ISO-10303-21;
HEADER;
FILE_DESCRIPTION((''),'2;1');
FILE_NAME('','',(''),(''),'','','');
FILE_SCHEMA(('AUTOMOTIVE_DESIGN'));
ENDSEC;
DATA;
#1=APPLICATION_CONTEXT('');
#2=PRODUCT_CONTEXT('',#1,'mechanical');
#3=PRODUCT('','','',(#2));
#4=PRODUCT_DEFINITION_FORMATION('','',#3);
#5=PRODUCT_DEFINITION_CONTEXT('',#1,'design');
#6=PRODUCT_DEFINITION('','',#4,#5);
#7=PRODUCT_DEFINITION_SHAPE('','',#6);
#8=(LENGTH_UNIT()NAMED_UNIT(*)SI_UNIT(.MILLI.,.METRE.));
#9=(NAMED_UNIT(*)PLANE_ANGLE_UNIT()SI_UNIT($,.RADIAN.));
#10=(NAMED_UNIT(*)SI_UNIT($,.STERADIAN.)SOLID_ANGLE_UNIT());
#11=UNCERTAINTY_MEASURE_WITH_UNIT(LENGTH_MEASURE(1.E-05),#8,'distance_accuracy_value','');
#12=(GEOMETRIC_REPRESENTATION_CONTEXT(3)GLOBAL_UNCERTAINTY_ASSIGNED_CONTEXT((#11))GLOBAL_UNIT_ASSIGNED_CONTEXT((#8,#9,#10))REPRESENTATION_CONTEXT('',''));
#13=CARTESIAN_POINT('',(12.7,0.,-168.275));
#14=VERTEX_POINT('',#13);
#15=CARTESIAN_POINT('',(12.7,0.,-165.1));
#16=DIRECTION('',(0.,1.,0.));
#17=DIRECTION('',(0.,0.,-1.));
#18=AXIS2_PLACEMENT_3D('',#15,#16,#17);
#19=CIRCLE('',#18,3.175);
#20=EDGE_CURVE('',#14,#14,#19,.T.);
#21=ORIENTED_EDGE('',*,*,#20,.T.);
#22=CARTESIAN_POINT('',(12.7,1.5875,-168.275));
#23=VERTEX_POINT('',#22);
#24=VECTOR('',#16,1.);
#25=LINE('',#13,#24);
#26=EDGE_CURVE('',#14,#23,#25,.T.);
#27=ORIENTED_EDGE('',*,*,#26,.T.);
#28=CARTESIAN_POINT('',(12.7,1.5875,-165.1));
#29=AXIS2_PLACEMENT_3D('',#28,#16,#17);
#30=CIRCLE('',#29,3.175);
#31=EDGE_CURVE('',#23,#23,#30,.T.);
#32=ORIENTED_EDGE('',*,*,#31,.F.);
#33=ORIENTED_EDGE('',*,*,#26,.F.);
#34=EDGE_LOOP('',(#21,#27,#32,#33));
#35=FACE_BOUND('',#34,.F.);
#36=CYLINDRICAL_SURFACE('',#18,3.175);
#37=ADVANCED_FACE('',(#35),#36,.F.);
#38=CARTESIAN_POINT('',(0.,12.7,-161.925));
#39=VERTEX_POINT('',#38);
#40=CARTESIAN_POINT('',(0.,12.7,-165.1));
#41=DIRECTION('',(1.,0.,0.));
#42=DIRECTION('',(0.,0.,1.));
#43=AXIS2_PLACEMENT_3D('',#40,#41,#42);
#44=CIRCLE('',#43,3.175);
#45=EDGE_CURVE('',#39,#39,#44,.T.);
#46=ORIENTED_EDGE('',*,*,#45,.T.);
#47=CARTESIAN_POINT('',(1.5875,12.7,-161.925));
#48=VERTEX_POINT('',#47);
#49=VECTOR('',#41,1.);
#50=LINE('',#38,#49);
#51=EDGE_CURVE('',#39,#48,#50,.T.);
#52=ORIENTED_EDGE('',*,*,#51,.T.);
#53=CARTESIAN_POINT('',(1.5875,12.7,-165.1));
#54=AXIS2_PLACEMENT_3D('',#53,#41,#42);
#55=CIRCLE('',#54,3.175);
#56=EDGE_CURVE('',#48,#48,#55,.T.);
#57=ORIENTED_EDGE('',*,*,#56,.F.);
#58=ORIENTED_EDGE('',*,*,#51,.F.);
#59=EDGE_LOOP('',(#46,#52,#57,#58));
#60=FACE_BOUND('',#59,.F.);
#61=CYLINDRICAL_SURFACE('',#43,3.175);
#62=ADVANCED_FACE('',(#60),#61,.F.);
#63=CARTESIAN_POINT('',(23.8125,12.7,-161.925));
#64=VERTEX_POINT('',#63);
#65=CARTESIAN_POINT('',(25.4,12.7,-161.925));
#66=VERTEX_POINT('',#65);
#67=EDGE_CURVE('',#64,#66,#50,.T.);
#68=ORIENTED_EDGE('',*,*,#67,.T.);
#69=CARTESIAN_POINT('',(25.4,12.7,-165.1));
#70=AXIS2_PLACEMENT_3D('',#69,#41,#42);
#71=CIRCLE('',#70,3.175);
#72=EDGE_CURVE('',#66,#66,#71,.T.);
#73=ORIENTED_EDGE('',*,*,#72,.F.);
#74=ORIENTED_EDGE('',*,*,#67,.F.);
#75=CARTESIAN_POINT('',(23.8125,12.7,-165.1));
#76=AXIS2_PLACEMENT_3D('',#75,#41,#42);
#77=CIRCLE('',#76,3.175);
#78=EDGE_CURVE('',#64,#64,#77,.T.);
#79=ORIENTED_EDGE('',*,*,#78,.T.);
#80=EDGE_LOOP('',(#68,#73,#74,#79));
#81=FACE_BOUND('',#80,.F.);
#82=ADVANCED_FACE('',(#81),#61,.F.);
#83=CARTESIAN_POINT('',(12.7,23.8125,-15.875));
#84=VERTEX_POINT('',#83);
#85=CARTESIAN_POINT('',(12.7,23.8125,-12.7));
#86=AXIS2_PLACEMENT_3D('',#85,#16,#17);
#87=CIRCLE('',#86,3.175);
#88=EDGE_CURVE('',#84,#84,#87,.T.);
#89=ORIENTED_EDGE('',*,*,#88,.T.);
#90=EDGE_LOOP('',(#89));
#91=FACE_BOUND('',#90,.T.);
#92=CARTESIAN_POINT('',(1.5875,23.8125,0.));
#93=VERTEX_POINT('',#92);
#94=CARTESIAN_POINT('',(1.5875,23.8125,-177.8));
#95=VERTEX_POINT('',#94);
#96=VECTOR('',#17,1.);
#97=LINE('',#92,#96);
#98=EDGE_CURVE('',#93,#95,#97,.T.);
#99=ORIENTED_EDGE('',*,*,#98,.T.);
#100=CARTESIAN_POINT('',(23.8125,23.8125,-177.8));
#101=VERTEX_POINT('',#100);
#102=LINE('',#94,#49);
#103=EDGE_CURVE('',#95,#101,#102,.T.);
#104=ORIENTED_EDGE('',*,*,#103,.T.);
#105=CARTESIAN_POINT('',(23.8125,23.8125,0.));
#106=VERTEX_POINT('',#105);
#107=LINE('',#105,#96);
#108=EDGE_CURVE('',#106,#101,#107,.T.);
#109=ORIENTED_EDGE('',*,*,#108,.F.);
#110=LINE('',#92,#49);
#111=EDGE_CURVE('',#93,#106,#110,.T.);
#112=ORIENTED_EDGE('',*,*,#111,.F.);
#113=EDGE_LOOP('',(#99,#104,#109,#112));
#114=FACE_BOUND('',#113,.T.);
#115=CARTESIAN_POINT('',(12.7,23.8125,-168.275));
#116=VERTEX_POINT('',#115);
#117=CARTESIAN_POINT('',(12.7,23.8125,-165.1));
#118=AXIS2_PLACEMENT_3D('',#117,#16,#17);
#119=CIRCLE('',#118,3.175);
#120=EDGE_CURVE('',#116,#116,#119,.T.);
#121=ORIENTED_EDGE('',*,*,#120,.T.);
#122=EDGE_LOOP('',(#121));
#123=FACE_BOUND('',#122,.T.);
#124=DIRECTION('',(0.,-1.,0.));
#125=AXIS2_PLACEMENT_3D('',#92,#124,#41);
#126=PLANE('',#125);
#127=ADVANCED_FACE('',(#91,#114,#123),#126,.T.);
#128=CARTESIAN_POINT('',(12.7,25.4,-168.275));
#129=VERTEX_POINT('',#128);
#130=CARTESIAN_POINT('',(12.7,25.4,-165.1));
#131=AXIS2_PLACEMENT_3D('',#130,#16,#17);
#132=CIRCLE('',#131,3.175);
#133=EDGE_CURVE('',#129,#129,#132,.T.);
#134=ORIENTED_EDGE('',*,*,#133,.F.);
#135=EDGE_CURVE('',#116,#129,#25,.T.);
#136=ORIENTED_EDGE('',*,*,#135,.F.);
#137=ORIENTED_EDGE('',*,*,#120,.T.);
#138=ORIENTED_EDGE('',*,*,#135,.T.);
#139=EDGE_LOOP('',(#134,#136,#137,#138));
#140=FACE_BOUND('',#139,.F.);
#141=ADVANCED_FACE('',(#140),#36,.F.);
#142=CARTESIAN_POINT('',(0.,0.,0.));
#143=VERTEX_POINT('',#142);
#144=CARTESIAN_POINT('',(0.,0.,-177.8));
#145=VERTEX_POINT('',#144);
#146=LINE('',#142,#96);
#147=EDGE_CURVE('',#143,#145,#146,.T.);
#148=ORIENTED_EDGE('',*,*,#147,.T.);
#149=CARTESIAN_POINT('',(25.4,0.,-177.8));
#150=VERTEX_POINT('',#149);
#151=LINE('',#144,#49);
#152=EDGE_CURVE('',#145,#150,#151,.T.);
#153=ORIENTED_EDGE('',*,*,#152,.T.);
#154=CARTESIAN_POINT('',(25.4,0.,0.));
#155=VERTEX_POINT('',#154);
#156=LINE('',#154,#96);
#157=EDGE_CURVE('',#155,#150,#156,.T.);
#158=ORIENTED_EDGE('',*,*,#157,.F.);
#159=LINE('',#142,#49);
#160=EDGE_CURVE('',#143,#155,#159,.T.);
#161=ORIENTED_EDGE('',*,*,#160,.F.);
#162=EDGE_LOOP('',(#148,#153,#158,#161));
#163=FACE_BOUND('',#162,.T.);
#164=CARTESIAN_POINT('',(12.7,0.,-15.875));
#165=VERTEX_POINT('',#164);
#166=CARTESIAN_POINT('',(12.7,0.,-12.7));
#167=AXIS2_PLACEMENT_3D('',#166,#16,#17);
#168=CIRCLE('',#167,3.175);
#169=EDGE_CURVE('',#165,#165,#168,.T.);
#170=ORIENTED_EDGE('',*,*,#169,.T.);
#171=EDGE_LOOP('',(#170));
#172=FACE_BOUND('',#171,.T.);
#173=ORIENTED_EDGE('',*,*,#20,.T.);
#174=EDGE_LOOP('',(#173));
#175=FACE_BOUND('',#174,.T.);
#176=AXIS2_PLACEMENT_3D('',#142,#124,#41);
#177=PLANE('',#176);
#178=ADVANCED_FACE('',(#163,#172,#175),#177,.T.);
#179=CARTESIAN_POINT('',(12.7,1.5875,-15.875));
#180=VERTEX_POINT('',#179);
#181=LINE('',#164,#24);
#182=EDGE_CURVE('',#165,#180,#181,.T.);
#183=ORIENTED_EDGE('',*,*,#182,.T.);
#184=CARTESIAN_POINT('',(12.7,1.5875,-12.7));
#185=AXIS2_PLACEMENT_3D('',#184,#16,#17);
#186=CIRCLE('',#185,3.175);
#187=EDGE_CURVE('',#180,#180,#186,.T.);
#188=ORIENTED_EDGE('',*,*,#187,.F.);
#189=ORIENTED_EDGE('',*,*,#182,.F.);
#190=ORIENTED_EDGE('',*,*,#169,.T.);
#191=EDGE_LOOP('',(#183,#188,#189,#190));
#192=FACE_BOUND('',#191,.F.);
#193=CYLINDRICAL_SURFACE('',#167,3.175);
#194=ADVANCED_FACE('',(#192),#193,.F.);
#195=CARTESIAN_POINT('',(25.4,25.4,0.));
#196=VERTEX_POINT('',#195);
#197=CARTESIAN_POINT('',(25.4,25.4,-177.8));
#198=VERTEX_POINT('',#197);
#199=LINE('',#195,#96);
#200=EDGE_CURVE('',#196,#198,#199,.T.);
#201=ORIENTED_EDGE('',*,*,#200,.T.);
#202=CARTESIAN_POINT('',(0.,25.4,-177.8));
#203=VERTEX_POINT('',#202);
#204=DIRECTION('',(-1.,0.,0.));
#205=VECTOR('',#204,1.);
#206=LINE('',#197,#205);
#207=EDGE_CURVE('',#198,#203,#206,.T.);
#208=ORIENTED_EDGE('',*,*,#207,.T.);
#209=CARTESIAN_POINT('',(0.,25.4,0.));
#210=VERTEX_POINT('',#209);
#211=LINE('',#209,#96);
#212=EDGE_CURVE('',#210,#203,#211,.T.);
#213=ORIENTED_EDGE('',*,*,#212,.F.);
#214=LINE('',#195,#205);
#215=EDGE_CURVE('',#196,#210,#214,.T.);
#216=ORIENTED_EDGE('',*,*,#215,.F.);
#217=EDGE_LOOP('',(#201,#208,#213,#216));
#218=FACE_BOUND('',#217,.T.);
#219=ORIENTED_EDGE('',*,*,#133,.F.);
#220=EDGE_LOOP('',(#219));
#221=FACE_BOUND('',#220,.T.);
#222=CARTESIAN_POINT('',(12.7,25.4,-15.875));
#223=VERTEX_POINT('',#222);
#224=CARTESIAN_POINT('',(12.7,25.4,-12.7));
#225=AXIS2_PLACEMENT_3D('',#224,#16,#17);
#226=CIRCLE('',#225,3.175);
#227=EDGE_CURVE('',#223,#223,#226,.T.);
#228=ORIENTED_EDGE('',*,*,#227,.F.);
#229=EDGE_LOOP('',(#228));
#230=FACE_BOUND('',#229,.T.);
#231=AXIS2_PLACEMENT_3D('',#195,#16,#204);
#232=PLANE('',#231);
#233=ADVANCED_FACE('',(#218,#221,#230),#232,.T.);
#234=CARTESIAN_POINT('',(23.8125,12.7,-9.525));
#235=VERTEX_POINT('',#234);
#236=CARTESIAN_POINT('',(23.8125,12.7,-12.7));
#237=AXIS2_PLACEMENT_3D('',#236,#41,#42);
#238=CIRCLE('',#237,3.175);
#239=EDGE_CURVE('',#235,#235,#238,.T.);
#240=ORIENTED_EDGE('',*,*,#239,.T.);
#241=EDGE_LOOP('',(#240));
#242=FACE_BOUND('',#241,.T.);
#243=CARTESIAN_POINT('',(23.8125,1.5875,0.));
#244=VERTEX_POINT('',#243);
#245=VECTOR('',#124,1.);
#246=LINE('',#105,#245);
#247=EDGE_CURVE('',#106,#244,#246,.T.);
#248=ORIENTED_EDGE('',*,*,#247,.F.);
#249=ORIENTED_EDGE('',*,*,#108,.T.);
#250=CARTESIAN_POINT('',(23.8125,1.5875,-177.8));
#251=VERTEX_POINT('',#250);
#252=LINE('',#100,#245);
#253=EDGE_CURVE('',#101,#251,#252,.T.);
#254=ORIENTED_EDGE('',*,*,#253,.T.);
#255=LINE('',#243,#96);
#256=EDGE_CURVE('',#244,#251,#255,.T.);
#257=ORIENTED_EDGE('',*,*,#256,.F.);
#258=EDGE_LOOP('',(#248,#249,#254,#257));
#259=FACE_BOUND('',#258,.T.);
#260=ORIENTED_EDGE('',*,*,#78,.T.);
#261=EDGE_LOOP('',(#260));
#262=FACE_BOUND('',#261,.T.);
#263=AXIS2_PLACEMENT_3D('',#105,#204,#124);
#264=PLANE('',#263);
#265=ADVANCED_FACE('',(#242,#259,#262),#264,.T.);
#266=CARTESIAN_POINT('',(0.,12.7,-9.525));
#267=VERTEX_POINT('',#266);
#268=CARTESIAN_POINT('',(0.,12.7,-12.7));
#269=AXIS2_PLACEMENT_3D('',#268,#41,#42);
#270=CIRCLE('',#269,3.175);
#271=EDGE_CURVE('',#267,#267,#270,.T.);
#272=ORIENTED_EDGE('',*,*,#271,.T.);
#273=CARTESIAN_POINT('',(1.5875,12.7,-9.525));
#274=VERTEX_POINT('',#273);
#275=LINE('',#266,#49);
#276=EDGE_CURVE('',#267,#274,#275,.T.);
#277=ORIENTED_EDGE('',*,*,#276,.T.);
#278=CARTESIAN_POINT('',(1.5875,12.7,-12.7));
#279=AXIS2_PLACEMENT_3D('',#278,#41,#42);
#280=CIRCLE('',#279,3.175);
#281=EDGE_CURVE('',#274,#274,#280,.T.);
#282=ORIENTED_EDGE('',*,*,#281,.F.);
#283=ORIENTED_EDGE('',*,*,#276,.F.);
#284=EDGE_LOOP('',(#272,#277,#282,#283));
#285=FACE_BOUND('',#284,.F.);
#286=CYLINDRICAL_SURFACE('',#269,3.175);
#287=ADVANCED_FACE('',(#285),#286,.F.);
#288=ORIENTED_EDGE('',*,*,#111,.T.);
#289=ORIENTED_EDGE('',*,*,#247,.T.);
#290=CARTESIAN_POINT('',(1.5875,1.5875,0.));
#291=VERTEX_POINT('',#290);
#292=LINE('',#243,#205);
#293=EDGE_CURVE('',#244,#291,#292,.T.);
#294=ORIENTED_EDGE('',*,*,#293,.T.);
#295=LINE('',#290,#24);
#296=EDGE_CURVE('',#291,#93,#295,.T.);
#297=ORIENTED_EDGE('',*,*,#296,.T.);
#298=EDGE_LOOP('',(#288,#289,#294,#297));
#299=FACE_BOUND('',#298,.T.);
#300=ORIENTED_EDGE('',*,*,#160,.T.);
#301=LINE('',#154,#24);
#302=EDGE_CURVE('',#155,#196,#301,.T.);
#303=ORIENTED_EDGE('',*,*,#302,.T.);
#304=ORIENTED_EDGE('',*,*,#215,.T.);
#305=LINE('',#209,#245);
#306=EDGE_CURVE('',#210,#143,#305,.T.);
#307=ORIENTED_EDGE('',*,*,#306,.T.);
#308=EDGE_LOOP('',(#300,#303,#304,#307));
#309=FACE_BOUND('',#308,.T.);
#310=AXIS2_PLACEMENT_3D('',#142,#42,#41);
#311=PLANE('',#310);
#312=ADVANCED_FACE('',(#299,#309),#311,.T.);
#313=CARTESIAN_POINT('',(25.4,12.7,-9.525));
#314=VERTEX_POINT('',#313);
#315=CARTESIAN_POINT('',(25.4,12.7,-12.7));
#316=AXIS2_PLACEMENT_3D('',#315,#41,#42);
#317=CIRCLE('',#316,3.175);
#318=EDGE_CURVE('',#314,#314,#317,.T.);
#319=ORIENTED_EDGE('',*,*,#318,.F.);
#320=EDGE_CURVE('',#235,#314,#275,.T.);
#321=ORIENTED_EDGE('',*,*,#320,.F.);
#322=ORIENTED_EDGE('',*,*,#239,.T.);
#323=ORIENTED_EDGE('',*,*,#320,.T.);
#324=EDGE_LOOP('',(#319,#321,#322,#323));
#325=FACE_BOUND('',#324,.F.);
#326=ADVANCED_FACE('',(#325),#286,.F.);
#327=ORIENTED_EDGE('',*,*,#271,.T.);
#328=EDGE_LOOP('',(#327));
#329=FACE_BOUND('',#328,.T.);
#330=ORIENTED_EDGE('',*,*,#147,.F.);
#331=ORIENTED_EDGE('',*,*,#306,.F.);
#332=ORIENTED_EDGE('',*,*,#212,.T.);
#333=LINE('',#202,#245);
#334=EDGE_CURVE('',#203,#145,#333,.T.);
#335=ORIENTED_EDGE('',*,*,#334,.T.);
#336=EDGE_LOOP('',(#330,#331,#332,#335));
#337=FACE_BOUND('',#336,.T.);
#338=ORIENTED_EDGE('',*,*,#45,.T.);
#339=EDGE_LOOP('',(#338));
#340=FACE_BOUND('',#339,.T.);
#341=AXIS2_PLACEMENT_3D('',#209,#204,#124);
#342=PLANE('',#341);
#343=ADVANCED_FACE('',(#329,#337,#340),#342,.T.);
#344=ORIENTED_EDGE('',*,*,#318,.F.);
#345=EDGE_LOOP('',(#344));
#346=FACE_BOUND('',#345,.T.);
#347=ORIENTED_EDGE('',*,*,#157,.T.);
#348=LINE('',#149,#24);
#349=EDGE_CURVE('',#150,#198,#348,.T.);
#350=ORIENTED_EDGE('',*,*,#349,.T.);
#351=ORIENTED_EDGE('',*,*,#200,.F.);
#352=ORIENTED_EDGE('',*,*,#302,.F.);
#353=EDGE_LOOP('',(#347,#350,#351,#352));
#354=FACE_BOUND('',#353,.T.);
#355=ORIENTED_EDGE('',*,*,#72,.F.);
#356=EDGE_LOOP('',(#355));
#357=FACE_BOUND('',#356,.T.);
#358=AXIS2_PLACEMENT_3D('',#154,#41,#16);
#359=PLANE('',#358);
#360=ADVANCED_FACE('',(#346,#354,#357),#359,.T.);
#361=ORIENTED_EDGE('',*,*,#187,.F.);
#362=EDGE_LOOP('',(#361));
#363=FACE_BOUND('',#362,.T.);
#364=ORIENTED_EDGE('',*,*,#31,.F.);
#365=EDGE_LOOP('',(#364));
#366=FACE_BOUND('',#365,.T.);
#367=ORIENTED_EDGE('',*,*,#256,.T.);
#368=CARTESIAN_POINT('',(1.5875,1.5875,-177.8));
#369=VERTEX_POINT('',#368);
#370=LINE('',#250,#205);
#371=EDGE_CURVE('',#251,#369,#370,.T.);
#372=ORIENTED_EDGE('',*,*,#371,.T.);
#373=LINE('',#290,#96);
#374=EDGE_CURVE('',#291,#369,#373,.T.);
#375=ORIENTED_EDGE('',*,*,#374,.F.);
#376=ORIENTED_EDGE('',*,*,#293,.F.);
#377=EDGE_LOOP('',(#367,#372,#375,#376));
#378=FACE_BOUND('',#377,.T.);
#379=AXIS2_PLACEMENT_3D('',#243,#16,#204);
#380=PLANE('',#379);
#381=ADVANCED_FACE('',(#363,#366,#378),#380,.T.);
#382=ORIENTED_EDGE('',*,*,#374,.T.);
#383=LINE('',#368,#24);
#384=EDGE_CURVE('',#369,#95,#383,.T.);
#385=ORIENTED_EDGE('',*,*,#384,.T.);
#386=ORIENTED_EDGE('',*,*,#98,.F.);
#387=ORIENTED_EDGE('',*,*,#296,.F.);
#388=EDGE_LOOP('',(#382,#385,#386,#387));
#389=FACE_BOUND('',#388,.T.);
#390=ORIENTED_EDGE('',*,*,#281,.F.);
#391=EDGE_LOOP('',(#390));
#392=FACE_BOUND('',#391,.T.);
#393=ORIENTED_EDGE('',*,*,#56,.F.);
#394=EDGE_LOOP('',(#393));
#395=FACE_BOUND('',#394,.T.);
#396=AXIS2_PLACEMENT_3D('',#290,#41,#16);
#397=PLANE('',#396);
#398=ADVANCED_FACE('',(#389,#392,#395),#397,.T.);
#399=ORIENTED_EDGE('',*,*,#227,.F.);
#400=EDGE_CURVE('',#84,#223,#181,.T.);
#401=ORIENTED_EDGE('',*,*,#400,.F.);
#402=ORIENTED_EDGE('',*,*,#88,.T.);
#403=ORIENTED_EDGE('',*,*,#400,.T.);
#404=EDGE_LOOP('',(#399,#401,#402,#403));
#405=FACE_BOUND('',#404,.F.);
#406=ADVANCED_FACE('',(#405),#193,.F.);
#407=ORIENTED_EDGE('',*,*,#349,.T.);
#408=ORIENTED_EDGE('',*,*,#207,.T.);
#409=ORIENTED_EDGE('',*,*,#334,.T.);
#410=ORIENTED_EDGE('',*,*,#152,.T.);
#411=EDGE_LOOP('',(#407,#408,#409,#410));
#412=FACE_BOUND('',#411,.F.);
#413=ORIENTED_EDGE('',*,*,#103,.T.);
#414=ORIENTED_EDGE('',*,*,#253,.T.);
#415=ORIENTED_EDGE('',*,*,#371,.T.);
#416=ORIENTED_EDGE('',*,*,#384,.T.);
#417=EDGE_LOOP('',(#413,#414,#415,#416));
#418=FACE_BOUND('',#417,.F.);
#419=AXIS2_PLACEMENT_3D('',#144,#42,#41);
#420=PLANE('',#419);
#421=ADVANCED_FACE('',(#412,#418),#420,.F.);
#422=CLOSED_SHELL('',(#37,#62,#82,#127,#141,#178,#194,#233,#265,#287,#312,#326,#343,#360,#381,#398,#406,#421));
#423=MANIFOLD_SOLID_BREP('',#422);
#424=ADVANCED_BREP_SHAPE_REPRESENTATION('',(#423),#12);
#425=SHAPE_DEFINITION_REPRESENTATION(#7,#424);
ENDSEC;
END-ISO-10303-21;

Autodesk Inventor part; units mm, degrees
ref_plane "YZ Plane" through (0, 0, 0) normal (1, 0, 0) x (0, 1, 0)
ref_plane "XZ Plane" through (0, 0, 0) normal (0, 1, 0) x (-1, 0, 0)
ref_plane "XY Plane" through (0, 0, 0) normal (0, 0, 1) x (1, 0, 0)
sketch "Sketch1" plane through (0, 0, 0) normal (0, 0, 1) x (1, 0, 0)
  line L0 (0, 0) -> (25.4, 0)
  line L1 (25.4, 0) -> (25.4, 25.4)
  line L2 (25.4, 25.4) -> (0, 25.4)
  line L3 (0, 25.4) -> (0, 0)
  line L4 (1.5875, 23.8125) -> (23.8125, 23.8125)
  line L5 (23.8125, 23.8125) -> (23.8125, 1.5875)
  line L6 (23.8125, 1.5875) -> (1.5875, 1.5875)
  line L7 (1.5875, 1.5875) -> (1.5875, 23.8125)
  dimension "d0" = 25.4
  dimension "d1" = 25.4
  dimension "d2" = 1.5875
extrude "Extrusion1" add sketch "Sketch1" against normal blind 177.8
sketch "Sketch2" plane through (0, 0, 0) normal (0, -1, 0) x (1, 0, 0)
  line L0 (0, -177.8) -> (25.4, -177.8) projected
  line L1 (0, 0) -> (25.4, 0) projected
  point P0 (12.7, -12.7)
  point P1 (12.7, -165.1)
  dimension "d5" = 12.7
  dimension "d6" = 12.7
hole "Hole1" at (12.7, 0, -12.7) at (12.7, 0, -165.1) direction (0, 1, 0) diameter 6.35 depth 25.4 tip angle 118
sketch "Sketch3" plane through (0, 0, 0) normal (-1, 0, 0) x (0, 0, 1)
  line L0 (-177.8, 25.4) -> (-177.8, 0) projected
  line L1 (0, 25.4) -> (0, 0) projected
  point P0 (-12.7, 12.7)
  point P1 (-165.1, 12.7)
  dimension "d14" = 12.7
  dimension "d15" = 12.7
hole "Hole2" at (0, 12.7, -12.7) at (0, 12.7, -165.1) direction (1, 0, 0) diameter 6.35 depth 25.4 tip angle 118
properties part number "1tube_6_layer1_motorsupport"
